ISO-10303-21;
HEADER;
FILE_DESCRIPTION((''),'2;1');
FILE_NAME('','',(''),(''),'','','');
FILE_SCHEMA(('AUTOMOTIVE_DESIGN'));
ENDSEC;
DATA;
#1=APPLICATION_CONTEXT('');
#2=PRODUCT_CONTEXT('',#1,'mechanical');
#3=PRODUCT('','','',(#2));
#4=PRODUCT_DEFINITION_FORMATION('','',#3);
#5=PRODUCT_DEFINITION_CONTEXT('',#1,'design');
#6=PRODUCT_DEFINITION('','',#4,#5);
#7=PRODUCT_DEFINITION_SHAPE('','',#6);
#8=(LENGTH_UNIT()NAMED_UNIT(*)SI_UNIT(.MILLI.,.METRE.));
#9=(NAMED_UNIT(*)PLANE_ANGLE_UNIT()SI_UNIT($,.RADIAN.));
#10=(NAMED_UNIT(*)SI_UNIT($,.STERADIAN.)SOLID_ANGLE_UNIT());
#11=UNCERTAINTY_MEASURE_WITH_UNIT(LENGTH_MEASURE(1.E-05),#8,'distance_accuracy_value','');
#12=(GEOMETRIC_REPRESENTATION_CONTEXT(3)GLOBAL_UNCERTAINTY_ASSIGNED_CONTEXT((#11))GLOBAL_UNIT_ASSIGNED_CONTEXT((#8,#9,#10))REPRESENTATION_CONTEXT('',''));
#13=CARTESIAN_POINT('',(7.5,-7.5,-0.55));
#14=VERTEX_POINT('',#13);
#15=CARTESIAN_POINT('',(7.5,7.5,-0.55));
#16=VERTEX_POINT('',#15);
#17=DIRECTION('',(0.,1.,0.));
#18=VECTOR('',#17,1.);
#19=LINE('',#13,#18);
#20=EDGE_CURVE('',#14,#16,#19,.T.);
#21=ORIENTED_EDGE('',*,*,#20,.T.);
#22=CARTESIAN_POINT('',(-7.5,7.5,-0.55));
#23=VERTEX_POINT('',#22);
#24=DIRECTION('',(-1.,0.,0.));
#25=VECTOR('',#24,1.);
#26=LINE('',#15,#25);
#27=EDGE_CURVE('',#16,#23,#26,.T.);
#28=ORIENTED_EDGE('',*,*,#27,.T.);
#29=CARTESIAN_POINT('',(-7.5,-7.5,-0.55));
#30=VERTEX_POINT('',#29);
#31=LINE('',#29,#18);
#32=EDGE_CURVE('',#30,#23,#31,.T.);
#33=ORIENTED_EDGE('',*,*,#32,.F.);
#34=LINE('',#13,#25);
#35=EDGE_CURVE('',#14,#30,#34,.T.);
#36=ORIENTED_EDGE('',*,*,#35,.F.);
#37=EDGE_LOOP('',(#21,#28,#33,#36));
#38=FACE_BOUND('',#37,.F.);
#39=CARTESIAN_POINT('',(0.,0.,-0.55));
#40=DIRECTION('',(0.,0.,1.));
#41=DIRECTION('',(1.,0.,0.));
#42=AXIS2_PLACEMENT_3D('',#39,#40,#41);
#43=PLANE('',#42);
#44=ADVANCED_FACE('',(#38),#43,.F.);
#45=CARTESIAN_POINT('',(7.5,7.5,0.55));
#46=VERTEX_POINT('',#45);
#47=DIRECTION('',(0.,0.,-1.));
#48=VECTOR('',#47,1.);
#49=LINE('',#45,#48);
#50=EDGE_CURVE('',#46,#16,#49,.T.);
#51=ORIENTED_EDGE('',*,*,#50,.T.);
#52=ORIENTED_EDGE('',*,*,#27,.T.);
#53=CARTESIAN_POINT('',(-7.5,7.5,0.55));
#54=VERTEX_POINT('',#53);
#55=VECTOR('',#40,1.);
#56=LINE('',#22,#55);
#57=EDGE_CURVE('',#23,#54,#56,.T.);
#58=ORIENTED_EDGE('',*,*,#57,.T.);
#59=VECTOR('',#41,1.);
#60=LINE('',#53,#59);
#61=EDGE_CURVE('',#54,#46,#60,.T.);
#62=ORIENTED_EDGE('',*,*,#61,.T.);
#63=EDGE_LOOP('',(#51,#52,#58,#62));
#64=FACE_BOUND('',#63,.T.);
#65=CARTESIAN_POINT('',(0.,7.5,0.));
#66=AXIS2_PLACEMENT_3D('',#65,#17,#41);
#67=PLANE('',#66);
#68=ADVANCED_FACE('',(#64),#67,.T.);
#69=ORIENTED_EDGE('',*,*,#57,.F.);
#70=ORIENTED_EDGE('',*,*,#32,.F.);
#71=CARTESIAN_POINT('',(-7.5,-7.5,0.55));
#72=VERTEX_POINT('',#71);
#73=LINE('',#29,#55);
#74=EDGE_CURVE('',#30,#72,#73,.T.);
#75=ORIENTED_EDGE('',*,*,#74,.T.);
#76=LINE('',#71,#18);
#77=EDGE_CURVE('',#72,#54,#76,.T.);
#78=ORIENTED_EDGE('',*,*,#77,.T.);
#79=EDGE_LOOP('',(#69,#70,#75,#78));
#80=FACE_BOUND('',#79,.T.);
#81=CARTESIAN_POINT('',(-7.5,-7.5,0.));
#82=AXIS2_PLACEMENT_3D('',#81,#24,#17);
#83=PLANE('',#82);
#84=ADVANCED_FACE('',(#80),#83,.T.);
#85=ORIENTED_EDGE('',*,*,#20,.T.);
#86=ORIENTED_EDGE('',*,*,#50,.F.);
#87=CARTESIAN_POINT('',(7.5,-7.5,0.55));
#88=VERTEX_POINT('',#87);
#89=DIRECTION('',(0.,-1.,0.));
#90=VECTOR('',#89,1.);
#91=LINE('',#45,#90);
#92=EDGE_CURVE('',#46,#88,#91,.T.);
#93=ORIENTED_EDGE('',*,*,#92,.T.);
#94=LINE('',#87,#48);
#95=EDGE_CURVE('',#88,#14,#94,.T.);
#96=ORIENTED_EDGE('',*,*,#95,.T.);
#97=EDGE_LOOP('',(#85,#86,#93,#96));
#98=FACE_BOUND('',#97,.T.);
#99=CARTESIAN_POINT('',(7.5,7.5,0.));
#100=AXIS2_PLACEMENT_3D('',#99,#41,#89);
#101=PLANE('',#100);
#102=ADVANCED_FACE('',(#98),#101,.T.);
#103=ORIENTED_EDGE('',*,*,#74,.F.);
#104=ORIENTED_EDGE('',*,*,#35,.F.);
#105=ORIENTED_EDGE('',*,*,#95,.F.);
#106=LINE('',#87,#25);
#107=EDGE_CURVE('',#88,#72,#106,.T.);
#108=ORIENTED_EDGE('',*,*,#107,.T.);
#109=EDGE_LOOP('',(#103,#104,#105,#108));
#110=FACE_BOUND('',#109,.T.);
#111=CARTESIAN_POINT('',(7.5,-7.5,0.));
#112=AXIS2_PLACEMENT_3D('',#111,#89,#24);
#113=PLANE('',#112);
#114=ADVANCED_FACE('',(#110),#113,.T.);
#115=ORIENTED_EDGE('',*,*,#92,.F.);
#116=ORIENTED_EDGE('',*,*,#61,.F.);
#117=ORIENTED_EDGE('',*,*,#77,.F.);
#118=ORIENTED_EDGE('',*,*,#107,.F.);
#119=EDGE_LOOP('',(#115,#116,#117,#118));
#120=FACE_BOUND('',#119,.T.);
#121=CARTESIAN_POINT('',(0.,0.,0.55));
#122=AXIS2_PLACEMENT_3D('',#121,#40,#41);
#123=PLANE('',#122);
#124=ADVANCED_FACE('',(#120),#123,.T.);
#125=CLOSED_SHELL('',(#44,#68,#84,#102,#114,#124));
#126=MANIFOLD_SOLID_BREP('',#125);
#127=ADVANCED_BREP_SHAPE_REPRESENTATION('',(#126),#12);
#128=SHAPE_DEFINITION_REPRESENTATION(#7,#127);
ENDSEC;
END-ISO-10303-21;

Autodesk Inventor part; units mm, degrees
ref_plane "YZ Plane" through (0, 0, 0) normal (1, 0, 0) x (0, 1, 0)
sketch "Sketch1" plane through (0, 0, 0) normal (0, 0, 1) x (1, 0, 0)
  line L0 (0, 8.1841) -> (0, 0)
  line L1 (0, 0) -> (9.8567, 0)
  line L2 (-7.5, 7.5) -> (7.5, 7.5)
  line L3 (7.5, 7.5) -> (7.5, -7.5)
  line L4 (7.5, -7.5) -> (-7.5, -7.5)
  line L5 (-7.5, -7.5) -> (-7.5, 7.5)
  dimension "d0" = 15
  dimension "d1" = 15
extrude "Extrusion1" add sketch "Sketch1" along normal mid plane 1.1
ref_plane "Work Plane1" through (-7.5, -7.5, 0) normal (0.7071, -0.7071, 0) x (0, 0, -1)
ref_plane "Work Plane2" through (7.5, -7.5, 0) normal (0.7071, 0.7071, 0) x (0, 0, -1)
properties material "Glass"
